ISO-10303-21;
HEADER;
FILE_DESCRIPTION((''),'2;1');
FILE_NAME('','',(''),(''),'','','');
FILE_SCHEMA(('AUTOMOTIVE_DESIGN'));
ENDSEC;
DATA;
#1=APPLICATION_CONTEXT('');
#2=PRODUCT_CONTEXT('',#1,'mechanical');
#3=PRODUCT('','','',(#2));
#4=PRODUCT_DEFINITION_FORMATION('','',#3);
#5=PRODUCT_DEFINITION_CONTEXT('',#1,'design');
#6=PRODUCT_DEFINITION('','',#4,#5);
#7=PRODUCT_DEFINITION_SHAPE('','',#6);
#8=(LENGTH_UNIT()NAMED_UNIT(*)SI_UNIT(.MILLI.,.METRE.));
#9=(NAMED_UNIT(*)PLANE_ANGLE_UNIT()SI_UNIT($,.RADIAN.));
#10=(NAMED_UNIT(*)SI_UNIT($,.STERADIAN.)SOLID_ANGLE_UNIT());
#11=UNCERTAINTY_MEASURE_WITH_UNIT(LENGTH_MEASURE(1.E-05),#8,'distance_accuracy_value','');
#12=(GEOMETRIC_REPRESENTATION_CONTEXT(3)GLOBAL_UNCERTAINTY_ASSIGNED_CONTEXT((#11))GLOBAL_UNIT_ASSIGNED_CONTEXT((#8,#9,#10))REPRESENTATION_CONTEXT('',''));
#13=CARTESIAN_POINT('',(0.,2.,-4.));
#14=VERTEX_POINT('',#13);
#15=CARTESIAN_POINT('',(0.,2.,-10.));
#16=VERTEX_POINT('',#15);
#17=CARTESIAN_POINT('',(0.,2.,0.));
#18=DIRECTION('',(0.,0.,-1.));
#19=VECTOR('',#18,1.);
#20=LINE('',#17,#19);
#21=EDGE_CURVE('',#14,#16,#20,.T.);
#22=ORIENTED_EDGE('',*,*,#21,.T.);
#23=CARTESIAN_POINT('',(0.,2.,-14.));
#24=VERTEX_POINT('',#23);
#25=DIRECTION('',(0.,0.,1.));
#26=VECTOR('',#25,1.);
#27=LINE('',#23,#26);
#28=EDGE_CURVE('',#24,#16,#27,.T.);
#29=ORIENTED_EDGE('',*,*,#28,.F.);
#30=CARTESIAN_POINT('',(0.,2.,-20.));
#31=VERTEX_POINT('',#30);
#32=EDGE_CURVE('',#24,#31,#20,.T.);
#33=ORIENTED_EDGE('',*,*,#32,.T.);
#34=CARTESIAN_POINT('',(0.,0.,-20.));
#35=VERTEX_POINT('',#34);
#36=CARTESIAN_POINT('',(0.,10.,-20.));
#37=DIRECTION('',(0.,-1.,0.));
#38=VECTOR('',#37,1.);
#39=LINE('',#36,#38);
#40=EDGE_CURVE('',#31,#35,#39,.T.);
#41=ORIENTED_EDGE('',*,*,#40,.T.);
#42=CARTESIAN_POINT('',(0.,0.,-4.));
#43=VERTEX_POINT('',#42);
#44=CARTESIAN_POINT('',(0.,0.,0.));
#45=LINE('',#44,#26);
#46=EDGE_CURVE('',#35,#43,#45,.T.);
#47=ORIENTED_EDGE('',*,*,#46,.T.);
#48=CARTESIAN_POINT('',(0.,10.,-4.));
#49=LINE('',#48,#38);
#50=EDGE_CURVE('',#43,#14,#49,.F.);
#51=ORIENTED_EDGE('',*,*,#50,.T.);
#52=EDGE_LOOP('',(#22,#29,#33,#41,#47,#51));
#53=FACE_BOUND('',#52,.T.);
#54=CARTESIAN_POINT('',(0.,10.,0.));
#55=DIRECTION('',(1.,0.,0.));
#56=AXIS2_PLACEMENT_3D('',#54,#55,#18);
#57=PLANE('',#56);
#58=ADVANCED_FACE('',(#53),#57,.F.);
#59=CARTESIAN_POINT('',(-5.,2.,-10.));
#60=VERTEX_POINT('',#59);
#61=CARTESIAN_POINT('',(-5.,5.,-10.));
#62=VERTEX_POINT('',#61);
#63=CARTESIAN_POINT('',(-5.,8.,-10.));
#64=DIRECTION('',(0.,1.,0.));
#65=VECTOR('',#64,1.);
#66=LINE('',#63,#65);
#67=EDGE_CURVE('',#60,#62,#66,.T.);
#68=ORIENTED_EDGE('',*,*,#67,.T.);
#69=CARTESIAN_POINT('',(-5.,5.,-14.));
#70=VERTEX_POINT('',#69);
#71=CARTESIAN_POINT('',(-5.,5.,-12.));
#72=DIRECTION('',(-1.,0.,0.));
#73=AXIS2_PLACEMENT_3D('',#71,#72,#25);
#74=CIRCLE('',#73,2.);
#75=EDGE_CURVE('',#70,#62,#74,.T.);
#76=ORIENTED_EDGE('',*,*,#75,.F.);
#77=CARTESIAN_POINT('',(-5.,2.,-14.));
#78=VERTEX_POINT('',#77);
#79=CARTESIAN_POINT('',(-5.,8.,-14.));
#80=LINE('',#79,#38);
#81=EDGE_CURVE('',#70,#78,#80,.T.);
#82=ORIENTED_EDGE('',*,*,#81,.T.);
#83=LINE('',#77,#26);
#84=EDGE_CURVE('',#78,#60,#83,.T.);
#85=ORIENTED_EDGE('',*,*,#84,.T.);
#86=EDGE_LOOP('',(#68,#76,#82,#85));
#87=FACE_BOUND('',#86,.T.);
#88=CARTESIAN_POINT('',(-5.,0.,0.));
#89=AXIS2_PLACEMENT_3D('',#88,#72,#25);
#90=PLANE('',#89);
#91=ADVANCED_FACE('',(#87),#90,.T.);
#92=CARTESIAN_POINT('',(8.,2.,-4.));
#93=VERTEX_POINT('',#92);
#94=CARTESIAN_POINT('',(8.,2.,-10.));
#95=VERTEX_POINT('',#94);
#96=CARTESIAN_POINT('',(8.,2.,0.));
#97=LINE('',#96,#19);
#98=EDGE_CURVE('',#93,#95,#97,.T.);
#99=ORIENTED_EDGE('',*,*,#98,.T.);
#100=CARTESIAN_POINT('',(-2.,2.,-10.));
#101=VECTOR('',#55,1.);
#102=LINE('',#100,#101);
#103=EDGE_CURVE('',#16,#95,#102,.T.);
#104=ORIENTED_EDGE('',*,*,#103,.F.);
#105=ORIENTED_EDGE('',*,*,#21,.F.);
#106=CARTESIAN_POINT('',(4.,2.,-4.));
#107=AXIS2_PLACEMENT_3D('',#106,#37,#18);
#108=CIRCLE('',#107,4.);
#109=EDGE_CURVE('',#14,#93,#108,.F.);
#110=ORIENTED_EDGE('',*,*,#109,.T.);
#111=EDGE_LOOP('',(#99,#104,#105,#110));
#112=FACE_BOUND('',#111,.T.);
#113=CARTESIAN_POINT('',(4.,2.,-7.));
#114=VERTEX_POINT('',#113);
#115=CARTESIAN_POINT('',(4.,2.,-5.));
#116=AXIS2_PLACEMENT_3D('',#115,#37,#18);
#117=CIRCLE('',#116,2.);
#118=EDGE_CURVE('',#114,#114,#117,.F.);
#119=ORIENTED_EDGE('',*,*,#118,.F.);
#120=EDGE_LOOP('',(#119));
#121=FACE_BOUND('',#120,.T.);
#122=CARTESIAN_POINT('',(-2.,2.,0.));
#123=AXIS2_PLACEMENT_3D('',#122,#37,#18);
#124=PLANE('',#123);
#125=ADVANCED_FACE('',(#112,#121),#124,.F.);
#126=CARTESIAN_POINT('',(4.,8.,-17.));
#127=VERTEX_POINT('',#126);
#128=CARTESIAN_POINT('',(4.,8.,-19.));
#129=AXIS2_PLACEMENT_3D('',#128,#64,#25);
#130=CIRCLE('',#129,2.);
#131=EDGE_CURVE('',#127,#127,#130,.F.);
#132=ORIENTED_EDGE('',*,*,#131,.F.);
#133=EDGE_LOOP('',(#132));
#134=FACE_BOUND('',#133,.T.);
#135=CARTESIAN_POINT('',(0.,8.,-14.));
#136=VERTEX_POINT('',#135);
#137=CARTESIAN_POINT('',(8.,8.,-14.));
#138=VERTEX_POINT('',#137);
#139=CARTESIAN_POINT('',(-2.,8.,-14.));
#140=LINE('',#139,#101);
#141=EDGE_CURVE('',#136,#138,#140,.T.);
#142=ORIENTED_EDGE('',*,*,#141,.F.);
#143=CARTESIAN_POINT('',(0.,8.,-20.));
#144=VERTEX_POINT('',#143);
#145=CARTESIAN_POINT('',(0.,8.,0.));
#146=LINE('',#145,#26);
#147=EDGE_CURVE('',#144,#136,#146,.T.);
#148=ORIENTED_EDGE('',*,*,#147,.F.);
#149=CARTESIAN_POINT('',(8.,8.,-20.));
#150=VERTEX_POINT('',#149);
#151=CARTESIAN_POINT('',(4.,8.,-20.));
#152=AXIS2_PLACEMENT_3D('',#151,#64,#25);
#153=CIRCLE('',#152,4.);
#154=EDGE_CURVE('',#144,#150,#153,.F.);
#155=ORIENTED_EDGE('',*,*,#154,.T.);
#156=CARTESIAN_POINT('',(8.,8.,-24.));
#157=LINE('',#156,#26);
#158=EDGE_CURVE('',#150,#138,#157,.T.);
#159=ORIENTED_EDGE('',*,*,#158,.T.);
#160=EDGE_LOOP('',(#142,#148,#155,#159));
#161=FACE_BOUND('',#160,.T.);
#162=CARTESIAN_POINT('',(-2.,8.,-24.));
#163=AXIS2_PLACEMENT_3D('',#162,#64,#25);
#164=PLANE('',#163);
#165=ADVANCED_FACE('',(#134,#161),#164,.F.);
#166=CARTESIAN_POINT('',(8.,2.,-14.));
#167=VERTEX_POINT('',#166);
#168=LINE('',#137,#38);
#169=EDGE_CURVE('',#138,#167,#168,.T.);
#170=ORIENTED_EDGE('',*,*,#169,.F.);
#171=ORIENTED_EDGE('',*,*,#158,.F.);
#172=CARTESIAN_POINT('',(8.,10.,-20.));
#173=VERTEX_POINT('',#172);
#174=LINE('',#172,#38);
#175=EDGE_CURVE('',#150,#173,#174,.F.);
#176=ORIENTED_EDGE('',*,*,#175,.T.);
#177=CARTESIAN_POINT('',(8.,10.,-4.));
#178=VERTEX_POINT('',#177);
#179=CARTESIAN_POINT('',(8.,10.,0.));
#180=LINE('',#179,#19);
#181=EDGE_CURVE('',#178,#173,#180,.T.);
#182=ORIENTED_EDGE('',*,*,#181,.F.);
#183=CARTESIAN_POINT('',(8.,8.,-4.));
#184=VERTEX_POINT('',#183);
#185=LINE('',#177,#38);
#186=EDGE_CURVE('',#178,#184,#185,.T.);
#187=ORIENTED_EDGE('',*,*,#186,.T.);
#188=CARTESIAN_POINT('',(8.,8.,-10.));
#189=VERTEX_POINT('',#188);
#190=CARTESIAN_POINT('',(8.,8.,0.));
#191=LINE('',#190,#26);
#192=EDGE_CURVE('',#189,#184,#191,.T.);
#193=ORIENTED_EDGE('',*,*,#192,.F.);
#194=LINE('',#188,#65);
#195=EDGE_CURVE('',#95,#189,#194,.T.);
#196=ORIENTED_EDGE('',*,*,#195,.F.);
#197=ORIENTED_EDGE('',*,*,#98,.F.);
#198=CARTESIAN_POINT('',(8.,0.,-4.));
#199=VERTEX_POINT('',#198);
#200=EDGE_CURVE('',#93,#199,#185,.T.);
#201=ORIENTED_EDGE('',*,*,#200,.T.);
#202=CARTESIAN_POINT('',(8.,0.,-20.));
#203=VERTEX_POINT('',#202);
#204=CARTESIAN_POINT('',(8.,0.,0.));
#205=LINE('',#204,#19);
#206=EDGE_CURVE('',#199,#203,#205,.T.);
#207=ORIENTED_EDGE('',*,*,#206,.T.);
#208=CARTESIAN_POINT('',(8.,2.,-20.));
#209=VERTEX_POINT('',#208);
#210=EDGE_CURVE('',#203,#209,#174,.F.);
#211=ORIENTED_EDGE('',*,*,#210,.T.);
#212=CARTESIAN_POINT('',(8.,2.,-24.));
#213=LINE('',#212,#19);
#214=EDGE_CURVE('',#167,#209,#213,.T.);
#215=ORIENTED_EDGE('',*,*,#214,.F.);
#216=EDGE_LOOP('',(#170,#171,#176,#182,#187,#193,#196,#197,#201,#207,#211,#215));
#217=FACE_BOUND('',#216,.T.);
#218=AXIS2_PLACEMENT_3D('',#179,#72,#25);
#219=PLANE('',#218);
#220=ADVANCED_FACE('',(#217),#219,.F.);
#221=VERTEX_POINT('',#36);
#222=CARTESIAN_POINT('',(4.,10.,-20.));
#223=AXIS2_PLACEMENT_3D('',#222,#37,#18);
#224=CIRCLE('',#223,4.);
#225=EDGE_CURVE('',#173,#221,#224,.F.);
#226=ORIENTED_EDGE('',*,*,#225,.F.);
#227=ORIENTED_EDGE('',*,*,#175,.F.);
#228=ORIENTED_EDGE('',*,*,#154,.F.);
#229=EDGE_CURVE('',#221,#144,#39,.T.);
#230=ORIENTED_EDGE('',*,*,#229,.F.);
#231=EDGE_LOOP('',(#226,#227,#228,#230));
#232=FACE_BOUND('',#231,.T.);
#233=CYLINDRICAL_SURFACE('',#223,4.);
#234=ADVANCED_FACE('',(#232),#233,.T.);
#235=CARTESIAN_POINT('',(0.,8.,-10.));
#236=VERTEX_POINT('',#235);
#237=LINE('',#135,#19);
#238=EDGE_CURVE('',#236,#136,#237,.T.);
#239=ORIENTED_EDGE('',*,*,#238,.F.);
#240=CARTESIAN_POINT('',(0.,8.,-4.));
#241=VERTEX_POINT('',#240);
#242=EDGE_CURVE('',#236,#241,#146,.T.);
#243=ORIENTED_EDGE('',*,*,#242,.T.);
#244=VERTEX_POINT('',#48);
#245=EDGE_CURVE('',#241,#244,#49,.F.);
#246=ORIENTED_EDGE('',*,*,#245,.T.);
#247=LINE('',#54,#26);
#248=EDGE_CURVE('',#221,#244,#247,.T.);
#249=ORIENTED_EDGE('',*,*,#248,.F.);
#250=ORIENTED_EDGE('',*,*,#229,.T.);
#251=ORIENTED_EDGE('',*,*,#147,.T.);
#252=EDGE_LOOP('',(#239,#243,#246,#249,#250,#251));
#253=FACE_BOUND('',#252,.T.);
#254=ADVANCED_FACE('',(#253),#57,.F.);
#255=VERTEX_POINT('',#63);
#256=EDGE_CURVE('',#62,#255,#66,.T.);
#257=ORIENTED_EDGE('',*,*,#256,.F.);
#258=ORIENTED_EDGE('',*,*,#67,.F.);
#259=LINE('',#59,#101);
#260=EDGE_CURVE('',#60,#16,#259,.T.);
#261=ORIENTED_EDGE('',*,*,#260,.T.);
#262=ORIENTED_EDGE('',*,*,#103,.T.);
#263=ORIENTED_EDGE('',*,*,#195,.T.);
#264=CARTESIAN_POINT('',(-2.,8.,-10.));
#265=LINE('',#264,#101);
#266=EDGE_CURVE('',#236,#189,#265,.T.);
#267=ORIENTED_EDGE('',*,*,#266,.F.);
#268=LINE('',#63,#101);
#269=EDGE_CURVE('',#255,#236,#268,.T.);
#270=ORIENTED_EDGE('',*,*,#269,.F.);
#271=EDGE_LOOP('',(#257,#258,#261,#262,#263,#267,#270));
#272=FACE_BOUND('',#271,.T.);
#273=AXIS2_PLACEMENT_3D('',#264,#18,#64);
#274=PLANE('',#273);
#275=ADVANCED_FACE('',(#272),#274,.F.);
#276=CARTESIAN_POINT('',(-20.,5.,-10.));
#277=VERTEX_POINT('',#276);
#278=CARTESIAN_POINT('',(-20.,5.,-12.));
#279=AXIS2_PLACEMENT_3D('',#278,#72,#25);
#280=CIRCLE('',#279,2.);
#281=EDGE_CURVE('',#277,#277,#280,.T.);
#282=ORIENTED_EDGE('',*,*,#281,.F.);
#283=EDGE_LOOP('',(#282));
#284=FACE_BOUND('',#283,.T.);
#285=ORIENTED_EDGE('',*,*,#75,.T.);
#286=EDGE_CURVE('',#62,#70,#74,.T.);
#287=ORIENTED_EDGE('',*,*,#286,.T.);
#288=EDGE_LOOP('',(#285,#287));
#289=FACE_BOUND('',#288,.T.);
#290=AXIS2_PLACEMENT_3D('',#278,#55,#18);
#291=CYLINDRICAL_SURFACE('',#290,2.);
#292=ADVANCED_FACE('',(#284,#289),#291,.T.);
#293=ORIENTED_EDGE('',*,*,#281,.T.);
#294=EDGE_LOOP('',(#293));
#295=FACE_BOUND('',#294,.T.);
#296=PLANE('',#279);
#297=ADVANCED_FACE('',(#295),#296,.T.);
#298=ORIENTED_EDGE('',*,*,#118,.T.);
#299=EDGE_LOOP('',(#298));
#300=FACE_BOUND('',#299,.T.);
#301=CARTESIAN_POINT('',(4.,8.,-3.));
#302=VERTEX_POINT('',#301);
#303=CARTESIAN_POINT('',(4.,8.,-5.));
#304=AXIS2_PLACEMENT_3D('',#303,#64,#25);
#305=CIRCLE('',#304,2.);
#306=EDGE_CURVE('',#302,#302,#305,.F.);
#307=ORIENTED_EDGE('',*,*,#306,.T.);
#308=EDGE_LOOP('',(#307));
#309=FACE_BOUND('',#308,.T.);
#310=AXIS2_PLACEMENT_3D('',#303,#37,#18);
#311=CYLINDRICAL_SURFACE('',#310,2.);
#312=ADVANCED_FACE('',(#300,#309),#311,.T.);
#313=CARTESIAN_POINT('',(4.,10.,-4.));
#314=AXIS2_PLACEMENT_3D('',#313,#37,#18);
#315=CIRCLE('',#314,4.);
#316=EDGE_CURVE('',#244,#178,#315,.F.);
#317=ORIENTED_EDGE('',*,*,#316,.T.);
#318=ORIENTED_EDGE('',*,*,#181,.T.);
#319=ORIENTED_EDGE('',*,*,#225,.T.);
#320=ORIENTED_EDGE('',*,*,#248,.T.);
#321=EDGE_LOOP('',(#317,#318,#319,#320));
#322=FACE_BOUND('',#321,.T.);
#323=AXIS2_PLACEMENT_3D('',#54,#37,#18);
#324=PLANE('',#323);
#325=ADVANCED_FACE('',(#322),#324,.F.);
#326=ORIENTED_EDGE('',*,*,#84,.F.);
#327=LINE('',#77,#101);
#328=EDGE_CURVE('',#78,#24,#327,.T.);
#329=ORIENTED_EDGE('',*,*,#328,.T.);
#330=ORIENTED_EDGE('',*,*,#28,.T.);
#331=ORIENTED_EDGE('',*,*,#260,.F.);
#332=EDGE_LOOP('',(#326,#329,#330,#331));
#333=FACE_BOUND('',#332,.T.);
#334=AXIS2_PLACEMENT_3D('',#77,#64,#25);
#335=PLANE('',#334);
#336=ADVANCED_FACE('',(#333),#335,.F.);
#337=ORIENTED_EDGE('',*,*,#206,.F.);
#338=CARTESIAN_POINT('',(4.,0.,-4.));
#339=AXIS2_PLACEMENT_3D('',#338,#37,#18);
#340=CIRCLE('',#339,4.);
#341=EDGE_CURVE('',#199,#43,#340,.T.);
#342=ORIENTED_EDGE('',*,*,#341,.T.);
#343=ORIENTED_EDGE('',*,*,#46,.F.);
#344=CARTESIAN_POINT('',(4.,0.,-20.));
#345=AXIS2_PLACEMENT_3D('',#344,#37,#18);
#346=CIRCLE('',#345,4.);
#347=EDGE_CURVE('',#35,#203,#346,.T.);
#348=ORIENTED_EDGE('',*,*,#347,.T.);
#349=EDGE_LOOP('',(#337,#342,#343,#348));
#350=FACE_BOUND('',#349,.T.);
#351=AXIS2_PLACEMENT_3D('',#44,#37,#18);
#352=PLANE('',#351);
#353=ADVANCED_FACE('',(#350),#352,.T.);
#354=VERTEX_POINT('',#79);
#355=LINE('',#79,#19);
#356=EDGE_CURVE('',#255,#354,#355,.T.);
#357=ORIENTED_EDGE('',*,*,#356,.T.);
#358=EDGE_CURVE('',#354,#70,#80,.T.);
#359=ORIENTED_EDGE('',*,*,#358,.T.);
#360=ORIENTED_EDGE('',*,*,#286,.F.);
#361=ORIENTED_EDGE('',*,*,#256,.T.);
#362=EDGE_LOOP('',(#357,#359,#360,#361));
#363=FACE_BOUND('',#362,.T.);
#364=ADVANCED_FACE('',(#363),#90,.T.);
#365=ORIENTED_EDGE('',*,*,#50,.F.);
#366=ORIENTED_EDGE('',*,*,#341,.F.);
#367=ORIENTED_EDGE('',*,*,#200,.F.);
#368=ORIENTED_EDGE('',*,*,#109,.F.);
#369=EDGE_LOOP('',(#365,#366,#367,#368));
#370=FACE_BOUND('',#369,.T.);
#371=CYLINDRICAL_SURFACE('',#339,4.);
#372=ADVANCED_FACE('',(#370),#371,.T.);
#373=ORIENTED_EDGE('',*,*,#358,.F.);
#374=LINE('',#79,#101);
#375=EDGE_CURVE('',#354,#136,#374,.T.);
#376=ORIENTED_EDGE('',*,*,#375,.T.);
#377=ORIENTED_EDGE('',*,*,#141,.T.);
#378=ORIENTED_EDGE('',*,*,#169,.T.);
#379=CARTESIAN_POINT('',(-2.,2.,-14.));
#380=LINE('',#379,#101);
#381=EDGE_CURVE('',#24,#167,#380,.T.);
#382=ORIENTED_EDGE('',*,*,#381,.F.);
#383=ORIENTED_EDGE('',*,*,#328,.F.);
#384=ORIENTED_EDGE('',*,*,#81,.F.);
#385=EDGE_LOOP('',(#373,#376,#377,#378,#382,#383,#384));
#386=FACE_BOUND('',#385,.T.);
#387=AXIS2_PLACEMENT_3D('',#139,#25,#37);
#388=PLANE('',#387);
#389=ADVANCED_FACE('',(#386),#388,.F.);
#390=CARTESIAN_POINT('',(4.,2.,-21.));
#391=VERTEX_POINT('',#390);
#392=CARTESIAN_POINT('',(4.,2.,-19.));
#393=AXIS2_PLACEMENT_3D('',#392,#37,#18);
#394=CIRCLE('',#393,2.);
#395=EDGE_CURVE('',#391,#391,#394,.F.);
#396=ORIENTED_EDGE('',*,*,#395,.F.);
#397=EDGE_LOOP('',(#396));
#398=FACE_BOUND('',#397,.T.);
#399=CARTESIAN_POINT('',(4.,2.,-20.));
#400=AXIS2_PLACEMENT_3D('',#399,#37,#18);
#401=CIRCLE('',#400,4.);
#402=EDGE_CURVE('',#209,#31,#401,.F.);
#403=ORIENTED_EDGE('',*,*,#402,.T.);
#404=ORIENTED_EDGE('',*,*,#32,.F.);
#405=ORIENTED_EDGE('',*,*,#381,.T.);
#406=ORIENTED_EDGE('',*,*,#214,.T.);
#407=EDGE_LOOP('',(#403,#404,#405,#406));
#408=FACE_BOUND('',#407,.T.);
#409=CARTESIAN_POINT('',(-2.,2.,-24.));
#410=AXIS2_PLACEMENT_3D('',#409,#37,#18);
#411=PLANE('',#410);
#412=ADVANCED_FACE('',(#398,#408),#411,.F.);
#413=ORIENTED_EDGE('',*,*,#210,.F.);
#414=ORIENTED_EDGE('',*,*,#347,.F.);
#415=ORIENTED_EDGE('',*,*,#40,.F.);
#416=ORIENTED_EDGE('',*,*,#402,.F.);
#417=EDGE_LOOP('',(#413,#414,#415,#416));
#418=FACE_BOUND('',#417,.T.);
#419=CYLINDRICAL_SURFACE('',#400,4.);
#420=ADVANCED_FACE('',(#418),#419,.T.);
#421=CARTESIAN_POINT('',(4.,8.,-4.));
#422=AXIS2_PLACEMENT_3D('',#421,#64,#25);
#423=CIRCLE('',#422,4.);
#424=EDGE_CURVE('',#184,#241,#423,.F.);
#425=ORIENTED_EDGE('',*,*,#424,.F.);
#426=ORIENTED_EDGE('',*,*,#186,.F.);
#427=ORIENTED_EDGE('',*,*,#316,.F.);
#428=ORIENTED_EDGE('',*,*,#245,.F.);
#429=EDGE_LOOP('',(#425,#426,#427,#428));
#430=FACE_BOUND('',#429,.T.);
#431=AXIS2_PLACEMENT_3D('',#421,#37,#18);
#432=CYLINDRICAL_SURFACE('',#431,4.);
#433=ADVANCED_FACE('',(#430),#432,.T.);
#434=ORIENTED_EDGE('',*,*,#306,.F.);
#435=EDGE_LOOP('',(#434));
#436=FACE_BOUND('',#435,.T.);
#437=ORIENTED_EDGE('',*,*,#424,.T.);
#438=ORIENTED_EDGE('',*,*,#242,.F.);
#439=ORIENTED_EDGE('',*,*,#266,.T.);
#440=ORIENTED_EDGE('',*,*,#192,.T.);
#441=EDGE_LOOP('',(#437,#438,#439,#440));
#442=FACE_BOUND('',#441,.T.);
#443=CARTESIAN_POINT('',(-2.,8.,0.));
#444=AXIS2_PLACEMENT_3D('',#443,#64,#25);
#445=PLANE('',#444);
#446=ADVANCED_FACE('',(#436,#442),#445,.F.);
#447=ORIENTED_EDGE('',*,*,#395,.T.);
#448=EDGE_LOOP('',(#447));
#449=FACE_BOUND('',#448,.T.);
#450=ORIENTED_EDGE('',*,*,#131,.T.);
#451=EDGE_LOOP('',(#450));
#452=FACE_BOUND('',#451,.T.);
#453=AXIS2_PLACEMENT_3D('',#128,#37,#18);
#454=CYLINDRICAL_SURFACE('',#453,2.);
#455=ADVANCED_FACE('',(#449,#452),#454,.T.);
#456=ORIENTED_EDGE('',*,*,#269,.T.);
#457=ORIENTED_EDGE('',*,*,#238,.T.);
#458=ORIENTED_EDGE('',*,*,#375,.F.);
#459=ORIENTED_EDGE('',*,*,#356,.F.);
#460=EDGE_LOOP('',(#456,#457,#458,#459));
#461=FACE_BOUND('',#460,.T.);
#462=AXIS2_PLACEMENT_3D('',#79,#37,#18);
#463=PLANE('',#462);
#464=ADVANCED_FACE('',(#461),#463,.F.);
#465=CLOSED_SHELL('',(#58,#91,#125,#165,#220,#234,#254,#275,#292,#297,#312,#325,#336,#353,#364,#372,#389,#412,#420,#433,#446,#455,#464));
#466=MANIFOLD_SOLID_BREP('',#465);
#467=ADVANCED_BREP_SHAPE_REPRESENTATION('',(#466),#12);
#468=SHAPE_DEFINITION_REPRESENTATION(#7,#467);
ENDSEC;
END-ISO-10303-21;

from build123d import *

# Parameters (mm, degrees)
ESQUISSE1_W             = 8
ESQUISSE1_H             = 24
BOSS_EXTRU_1_DEPTH      = 10
ESQUISSE2_W             = 10
ESQUISSE2_H             = 6
ENL_V_MAT_EXTRU_1_DEPTH = 10
ESQUISSE3_R             = 2
BOSS_EXTRU_2_DEPTH      = 6
CONG_1_RADIUS           = 4
CONG_1_LENGTH           = 2
CONG_2_RADIUS           = 4
CONG_2_LENGTH           = 2
CONG_3_RADIUS           = 4
CONG_3_LENGTH           = 2
CONG_4_RADIUS           = 4
CONG_4_LENGTH           = 2
ESQUISSE4_R             = 2
BOSS_EXTRU_3_DEPTH      = 20
ESQUISSE5_W             = 4
ESQUISSE5_H             = 6
BOSS_EXTRU_4_DEPTH      = 5


with BuildPart() as part:
    # Esquisse1 → Boss.-Extru.1 (new body)
    with BuildSketch(Plane(origin=(0, 0, 0), x_dir=(1, 0, 0), z_dir=(0, 1, 0))):
        with Locations((4, 12)):
            Rectangle(ESQUISSE1_W, ESQUISSE1_H)
    extrude(amount=BOSS_EXTRU_1_DEPTH)

    # Esquisse2 → Enlèv. mat.-Extru.1 (cut)
    with BuildSketch(Plane(origin=(8, 0, 0), x_dir=(0, 0, -1), z_dir=(1, 0, 0))):
        with Locations((5, 5)):
            Rectangle(ESQUISSE2_W, ESQUISSE2_H)
        with Locations((19, 5)):
            Rectangle(ESQUISSE2_W, ESQUISSE2_H)
    extrude(amount=-ENL_V_MAT_EXTRU_1_DEPTH, mode=Mode.SUBTRACT)

    # Esquisse3 → Boss.-Extru.2 (add)
    with BuildSketch(Plane(origin=(0, 2, 0), x_dir=(1, 0, 0), z_dir=(0, 1, 0))):
        with Locations(Location((4, 5, 0), (0, 0, 90))):
            Circle(ESQUISSE3_R)
        with Locations(Location((4, 19, 0), (0, 0, 90))):
            Circle(ESQUISSE3_R)
    extrude(amount=BOSS_EXTRU_2_DEPTH)

    # Congé1: full round fillet: the end face becomes a half cylinder, R = half its width
    cong_1_face = Plane((4, 1, -24), x_dir=(0, 1, 0), z_dir=(0, 0, -1))  # on the end face: x along it, z out of the body
    cong_1_slab = cong_1_face.offset(-CONG_1_RADIUS / 2) * Box(CONG_1_LENGTH, 2 * CONG_1_RADIUS, CONG_1_RADIUS, mode=Mode.PRIVATE)  # the body's end, R deep
    cong_1_round = Plane((4, 1, -20), x_dir=(0, 0, -1), z_dir=(0, 1, 0)) * Cylinder(CONG_1_RADIUS, CONG_1_LENGTH, mode=Mode.PRIVATE)  # its axis R under the face
    add(cong_1_slab - cong_1_round, mode=Mode.SUBTRACT)

    # Congé2: full round fillet: the end face becomes a half cylinder, R = half its width
    cong_2_face = Plane((4, 9, -24), x_dir=(0, 1, 0), z_dir=(0, 0, -1))  # on the end face: x along it, z out of the body
    cong_2_slab = cong_2_face.offset(-CONG_2_RADIUS / 2) * Box(CONG_2_LENGTH, 2 * CONG_2_RADIUS, CONG_2_RADIUS, mode=Mode.PRIVATE)  # the body's end, R deep
    cong_2_round = Plane((4, 9, -20), x_dir=(0, 0, -1), z_dir=(0, 1, 0)) * Cylinder(CONG_2_RADIUS, CONG_2_LENGTH, mode=Mode.PRIVATE)  # its axis R under the face
    add(cong_2_slab - cong_2_round, mode=Mode.SUBTRACT)

    # Congé3: full round fillet: the end face becomes a half cylinder, R = half its width
    cong_3_face = Plane((4, 9, 0), x_dir=(0, 1, 0), z_dir=(0, 0, 1))  # on the end face: x along it, z out of the body
    cong_3_slab = cong_3_face.offset(-CONG_3_RADIUS / 2) * Box(CONG_3_LENGTH, 2 * CONG_3_RADIUS, CONG_3_RADIUS, mode=Mode.PRIVATE)  # the body's end, R deep
    cong_3_round = Plane((4, 9, -4), x_dir=(0, 0, 1), z_dir=(0, 1, 0)) * Cylinder(CONG_3_RADIUS, CONG_3_LENGTH, mode=Mode.PRIVATE)  # its axis R under the face
    add(cong_3_slab - cong_3_round, mode=Mode.SUBTRACT)

    # Congé4: full round fillet: the end face becomes a half cylinder, R = half its width
    cong_4_face = Plane((4, 1, 0), x_dir=(0, 1, 0), z_dir=(0, 0, 1))  # on the end face: x along it, z out of the body
    cong_4_slab = cong_4_face.offset(-CONG_4_RADIUS / 2) * Box(CONG_4_LENGTH, 2 * CONG_4_RADIUS, CONG_4_RADIUS, mode=Mode.PRIVATE)  # the body's end, R deep
    cong_4_round = Plane((4, 1, -4), x_dir=(0, 0, 1), z_dir=(0, 1, 0)) * Cylinder(CONG_4_RADIUS, CONG_4_LENGTH, mode=Mode.PRIVATE)  # its axis R under the face
    add(cong_4_slab - cong_4_round, mode=Mode.SUBTRACT)

    # Esquisse4 → Boss.-Extru.3 (add)
    with BuildSketch(Plane.ZY):
        with Locations((-12, 5)):
            Circle(ESQUISSE4_R)
    extrude(amount=BOSS_EXTRU_3_DEPTH)

    # Esquisse5 → Boss.-Extru.4 (add)
    with BuildSketch(Plane.ZY):
        with Locations((-12, 5)):
            Rectangle(ESQUISSE5_W, ESQUISSE5_H)
    extrude(amount=BOSS_EXTRU_4_DEPTH)


solid = part.part
